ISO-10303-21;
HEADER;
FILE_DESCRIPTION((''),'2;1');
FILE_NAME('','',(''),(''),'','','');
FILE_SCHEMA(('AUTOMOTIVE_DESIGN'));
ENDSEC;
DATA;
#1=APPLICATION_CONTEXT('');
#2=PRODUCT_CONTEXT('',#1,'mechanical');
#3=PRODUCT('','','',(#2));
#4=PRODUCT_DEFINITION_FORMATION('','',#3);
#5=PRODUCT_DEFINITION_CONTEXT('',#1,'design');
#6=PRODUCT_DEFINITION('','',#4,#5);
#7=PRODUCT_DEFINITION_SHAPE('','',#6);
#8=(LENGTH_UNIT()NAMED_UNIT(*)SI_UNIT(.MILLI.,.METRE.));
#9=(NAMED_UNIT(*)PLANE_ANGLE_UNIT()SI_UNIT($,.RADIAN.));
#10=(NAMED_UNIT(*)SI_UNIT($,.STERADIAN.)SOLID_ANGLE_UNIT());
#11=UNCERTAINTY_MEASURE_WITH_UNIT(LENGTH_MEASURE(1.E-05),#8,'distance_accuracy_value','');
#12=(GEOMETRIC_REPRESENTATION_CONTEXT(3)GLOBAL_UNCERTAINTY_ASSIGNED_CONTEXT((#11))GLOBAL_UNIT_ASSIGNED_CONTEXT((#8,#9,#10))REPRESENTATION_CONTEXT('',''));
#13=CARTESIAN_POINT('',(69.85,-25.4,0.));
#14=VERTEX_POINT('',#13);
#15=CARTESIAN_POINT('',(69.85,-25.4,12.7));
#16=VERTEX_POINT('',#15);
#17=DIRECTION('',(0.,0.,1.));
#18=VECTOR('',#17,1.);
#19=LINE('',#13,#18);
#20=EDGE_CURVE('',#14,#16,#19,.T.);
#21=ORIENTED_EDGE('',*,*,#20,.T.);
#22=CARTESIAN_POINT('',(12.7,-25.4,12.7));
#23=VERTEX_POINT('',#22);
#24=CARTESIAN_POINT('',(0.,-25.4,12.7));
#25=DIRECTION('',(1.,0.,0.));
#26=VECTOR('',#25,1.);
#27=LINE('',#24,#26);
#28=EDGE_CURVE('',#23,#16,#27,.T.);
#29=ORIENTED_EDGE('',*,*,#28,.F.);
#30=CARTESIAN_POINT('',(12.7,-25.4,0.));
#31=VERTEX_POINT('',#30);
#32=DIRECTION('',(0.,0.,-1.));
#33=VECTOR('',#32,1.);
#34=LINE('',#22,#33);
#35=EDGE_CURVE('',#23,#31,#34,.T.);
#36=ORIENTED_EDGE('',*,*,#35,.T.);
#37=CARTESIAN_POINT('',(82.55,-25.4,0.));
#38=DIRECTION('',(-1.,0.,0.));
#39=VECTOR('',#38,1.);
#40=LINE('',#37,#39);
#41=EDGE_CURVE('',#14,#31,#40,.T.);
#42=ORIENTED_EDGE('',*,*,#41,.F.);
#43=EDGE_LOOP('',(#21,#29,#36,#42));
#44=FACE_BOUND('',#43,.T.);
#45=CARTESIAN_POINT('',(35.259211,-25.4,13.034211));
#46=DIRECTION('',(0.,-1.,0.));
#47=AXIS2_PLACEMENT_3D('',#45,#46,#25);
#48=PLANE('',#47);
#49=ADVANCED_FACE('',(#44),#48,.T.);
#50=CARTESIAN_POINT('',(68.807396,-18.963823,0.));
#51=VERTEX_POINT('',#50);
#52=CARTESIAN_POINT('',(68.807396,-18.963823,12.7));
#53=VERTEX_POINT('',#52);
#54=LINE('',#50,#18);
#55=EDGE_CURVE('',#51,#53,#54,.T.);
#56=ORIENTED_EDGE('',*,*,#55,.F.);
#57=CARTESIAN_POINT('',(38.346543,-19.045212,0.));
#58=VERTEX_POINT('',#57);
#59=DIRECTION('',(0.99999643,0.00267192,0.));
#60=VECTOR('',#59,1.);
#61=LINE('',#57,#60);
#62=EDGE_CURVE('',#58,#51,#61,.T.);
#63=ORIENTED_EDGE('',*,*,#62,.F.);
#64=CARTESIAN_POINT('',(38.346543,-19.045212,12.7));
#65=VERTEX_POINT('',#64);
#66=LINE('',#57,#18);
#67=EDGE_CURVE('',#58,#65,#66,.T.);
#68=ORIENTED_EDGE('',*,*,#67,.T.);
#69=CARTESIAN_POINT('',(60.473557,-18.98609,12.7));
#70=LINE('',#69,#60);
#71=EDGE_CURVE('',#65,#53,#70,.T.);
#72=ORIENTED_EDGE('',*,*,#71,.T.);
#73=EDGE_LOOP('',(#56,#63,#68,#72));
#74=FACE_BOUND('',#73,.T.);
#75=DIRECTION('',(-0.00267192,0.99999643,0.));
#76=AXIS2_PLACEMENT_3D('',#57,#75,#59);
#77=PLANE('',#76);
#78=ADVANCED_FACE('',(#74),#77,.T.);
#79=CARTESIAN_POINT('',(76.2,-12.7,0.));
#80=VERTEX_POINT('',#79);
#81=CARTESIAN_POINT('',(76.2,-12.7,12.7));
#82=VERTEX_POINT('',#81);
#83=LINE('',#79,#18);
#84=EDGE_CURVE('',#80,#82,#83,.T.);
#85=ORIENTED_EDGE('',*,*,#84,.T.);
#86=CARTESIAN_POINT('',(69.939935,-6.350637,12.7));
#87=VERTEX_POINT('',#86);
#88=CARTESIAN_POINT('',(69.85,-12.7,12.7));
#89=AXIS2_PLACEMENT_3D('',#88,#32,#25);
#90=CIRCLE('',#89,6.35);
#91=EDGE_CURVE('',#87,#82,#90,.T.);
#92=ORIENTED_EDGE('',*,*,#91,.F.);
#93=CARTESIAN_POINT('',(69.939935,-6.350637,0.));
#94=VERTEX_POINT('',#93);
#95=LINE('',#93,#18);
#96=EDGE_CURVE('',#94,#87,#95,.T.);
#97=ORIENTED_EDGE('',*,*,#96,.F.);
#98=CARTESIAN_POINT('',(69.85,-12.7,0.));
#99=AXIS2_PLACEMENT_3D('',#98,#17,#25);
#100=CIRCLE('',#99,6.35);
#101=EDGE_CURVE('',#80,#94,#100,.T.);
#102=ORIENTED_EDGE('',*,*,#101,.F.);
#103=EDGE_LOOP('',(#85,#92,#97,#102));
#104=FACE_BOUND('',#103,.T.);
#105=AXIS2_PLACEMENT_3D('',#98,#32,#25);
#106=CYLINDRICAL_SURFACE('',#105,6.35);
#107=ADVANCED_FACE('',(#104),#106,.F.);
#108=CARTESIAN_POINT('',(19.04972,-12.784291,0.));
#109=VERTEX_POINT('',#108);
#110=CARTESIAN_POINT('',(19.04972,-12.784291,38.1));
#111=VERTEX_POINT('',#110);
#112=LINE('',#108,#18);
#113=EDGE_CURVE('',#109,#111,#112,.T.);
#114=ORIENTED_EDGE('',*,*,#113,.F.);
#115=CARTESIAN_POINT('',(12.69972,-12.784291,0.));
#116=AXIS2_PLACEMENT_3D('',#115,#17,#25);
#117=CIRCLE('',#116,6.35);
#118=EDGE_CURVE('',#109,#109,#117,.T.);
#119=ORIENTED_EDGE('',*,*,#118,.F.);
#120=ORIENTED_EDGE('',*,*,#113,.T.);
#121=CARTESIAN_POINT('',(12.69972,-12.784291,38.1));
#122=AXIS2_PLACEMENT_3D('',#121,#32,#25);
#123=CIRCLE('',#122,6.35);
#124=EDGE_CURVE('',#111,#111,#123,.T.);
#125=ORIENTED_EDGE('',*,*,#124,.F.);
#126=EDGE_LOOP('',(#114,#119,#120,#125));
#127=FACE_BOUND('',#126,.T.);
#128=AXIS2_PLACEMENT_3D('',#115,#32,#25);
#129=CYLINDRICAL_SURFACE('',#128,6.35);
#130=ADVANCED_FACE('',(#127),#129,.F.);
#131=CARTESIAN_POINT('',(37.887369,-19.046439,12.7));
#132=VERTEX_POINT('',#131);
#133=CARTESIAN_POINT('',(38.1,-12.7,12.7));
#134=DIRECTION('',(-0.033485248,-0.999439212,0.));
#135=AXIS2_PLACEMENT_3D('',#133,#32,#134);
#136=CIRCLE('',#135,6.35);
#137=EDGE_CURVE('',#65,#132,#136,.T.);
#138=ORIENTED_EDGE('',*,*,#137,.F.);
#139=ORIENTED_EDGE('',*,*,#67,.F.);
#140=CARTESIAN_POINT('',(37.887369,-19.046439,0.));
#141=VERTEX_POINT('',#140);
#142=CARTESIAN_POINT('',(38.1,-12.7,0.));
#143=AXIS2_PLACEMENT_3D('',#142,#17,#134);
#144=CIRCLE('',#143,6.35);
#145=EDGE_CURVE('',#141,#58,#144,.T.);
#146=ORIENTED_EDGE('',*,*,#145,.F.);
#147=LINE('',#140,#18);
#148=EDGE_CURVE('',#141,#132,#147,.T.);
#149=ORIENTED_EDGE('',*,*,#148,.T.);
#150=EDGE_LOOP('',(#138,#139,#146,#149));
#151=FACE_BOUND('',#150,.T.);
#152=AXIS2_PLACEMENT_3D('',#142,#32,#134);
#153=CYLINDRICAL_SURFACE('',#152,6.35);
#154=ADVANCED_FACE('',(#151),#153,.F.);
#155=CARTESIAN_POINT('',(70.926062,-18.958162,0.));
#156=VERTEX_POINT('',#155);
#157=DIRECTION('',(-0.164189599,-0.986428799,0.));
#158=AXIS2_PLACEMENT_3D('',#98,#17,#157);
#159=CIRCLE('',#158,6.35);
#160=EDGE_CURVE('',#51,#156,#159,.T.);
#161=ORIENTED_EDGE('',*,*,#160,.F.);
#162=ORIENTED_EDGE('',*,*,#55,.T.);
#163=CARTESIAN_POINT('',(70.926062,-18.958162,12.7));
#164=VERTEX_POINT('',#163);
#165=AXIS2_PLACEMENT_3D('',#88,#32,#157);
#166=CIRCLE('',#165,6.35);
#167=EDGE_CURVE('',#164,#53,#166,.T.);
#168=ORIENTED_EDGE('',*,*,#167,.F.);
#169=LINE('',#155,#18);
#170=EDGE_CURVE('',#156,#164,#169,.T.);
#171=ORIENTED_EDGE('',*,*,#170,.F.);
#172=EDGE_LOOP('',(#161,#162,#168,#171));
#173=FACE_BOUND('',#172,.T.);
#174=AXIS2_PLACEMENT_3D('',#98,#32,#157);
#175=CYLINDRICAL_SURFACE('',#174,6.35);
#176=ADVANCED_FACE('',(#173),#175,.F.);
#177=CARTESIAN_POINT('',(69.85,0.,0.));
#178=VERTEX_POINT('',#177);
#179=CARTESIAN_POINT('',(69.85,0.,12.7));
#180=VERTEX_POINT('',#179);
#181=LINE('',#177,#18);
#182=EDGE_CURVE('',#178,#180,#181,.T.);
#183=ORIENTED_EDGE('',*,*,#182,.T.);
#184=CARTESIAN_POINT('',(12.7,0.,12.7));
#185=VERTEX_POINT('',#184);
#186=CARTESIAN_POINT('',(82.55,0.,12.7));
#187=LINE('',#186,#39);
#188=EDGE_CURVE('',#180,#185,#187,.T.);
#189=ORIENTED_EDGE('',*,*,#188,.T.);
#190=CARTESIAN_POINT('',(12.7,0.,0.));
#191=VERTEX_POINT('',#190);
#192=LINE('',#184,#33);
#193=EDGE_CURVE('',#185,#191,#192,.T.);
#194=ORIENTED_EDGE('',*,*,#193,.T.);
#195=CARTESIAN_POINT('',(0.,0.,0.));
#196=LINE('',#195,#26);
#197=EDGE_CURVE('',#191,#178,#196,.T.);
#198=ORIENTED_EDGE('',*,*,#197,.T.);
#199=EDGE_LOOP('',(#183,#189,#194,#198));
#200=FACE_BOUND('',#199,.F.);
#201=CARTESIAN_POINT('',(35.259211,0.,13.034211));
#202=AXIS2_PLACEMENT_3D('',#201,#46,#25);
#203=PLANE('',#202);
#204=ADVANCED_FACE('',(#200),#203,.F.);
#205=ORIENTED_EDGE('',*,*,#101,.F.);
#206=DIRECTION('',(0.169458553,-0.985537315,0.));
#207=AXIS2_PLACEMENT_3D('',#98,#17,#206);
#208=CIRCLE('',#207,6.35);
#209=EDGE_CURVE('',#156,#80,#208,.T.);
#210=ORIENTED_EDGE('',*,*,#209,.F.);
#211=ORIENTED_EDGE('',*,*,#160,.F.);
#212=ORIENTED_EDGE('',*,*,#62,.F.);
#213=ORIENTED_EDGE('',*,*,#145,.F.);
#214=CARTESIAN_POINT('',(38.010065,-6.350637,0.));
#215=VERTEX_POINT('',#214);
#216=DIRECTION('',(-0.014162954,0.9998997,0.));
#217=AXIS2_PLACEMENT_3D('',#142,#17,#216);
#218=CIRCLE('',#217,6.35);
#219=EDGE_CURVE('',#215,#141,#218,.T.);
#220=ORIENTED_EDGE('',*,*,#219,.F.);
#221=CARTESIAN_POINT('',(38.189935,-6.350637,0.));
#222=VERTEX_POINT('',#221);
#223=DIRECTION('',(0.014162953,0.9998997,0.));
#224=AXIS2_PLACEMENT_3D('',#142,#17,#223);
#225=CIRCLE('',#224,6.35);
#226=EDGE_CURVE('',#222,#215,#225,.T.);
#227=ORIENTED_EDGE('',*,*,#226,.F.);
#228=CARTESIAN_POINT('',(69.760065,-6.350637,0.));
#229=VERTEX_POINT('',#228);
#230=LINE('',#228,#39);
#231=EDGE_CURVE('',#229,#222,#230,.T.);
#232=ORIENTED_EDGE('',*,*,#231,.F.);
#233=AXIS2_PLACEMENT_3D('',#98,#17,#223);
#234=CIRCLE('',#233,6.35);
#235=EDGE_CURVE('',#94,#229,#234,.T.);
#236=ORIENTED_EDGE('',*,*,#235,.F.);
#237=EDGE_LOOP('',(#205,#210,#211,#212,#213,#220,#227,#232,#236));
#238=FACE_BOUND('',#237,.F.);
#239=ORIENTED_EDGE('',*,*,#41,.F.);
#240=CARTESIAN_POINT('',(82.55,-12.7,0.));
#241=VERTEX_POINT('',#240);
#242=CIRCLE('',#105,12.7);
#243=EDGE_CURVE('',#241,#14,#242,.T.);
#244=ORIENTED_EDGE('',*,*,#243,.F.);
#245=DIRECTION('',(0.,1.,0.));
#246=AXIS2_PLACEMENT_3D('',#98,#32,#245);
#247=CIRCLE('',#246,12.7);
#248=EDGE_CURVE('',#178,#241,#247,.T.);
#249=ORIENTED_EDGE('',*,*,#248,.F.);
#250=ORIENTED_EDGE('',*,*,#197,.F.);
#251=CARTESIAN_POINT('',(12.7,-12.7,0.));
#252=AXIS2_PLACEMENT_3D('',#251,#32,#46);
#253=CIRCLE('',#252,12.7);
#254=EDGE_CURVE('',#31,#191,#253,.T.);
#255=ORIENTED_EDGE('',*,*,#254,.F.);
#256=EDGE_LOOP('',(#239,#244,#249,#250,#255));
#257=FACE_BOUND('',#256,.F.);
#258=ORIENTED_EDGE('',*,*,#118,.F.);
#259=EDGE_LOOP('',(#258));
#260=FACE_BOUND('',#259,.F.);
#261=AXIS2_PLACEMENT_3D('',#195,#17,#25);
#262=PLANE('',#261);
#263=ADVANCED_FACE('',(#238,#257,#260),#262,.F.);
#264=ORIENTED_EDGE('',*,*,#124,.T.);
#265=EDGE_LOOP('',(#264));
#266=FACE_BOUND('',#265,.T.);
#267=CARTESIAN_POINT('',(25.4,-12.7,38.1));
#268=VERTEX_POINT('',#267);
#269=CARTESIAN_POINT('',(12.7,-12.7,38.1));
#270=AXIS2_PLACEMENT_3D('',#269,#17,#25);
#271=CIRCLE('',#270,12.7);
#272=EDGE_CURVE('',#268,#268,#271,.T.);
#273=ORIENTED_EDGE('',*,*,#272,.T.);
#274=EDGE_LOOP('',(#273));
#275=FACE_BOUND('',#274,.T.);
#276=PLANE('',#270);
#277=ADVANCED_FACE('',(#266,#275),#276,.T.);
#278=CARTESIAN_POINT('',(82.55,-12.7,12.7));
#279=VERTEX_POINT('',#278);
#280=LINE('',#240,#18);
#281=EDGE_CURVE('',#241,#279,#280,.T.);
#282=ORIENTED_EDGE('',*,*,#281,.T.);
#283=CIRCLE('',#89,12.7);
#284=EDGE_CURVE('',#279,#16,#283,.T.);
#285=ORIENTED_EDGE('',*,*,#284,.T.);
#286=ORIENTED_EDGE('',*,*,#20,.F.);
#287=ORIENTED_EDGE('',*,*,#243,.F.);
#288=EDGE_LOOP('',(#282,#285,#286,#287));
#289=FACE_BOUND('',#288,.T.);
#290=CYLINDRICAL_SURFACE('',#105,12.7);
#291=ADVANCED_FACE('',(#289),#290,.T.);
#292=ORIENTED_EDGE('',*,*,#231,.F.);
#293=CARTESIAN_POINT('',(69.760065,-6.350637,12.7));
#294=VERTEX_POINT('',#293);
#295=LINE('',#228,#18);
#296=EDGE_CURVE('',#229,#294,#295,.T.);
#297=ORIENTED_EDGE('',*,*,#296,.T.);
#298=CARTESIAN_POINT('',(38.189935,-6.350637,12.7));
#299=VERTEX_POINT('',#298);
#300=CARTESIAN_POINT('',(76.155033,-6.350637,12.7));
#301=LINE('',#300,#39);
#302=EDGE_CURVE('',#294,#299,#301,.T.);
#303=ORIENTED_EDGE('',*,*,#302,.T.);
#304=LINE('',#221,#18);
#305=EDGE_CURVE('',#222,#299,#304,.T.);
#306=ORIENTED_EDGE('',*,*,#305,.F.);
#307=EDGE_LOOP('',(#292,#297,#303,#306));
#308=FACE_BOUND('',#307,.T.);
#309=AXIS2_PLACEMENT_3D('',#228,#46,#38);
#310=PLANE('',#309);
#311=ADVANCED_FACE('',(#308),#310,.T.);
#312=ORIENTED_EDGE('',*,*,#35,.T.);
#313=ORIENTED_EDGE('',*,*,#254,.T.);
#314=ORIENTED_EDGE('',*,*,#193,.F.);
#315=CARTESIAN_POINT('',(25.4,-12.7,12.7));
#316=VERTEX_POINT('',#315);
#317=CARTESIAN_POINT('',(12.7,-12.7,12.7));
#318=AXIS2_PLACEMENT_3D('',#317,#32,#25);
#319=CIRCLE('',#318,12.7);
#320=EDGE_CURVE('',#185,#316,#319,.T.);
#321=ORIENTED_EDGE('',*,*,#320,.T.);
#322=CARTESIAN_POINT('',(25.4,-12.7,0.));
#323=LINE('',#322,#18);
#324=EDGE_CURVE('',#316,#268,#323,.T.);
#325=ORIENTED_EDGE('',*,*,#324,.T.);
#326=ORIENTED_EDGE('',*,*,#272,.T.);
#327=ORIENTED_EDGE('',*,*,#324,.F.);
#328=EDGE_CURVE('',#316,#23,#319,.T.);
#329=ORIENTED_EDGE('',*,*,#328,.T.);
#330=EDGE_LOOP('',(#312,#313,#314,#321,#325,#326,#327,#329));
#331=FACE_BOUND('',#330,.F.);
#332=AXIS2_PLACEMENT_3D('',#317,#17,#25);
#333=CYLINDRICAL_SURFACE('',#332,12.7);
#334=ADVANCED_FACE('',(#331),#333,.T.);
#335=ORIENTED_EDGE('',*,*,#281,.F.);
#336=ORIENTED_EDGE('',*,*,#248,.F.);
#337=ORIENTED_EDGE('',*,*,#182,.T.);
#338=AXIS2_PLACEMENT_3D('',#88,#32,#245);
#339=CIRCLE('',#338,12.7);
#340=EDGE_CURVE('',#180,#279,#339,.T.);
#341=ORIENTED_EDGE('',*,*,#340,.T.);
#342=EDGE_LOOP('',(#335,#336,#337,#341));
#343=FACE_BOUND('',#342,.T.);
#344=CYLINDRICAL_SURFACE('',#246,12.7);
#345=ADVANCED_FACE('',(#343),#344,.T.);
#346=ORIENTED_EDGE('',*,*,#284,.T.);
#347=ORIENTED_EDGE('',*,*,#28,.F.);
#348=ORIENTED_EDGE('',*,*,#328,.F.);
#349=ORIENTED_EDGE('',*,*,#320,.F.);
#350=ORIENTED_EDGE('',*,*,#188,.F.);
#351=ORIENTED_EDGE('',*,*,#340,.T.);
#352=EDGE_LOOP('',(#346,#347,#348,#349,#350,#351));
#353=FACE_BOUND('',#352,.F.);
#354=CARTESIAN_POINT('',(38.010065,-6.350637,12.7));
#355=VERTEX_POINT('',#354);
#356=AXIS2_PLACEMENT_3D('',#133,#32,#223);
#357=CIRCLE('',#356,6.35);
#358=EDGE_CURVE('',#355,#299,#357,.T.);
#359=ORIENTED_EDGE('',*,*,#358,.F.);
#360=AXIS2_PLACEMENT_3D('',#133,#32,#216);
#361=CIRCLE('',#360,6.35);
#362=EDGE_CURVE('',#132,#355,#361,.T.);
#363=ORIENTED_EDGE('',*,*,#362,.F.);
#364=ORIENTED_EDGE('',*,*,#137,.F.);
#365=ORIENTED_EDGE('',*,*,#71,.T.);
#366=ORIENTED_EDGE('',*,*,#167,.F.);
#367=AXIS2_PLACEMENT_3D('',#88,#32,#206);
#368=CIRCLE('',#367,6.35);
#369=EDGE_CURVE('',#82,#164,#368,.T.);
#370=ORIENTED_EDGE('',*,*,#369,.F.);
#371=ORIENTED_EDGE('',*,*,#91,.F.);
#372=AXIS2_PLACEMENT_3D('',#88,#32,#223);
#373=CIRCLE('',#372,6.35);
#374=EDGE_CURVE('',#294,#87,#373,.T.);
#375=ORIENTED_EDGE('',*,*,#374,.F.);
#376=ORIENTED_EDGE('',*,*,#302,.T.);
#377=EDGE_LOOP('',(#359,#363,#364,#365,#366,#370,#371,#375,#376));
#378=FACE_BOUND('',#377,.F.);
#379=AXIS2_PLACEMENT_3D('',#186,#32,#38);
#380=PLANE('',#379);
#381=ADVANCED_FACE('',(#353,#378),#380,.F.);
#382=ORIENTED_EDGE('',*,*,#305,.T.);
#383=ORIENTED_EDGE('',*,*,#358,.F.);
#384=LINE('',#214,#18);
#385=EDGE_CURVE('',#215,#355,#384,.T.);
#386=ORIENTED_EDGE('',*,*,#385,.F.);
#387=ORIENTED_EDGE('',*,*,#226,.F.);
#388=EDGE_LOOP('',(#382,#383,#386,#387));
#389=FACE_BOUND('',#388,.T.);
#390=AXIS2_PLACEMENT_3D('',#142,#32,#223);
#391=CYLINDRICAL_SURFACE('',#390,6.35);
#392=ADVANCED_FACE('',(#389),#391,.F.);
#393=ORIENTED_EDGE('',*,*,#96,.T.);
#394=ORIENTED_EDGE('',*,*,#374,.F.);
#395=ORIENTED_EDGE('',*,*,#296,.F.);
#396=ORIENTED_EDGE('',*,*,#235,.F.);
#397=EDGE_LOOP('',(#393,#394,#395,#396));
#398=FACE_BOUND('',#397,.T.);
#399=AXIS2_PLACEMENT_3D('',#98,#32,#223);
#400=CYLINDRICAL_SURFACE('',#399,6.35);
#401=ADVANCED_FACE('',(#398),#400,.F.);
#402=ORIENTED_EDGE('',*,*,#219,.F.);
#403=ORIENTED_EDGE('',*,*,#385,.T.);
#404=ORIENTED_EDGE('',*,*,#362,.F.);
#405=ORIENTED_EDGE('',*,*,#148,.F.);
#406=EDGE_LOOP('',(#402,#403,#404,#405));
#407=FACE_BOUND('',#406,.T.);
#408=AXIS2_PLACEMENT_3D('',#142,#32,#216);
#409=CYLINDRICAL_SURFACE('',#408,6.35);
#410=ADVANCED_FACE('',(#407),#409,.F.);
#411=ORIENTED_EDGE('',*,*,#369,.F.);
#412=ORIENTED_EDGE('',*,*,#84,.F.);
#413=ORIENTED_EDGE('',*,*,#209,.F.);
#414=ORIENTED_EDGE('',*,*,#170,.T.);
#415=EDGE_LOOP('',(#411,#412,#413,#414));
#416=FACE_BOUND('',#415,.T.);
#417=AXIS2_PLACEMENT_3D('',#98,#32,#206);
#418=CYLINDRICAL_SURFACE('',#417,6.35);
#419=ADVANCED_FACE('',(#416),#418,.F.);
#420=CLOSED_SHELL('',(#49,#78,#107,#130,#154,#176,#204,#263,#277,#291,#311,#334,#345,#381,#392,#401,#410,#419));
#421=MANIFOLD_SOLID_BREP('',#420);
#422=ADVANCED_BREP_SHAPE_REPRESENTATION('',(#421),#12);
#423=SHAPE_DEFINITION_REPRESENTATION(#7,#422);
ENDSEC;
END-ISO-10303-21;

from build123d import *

# Parameters (mm, degrees)
F1_DEPTH  = 25.4
F3_W      = 25.4
F3_H      = 25.4
F4_DEPTH  = 25.401
F5_R      = 12.7
F6_DEPTH  = 38.1
F8_DEPTH  = 12.701
F10_DEPTH = 38.101
F11_R     = 6.35
F12_DEPTH = 38.101
F14_DEPTH = 38.101


with BuildPart() as f1:
    # F0 (on Front) → F1 (new body)
    with BuildSketch(Plane.XZ):
        Polygon((25.4, 38.1), (0, 38.1), (0, 0), (82.55, 0), (82.55, 12.7), (25.4, 12.7), align=None)
    extrude(amount=F1_DEPTH)

    # F3 (on Front) → F4 (cut, through all)
    with BuildSketch(Plane.XZ):
        with Locations((12.7, 25.4)):
            Rectangle(F3_W, F3_H)
    extrude(amount=F4_DEPTH, mode=Mode.SUBTRACT)

    # F5 (on Top) → F6 (join)
    with BuildSketch(Plane.XY):
        with Locations((12.7, -12.7)):
            Circle(F5_R)
    extrude(amount=F6_DEPTH)

    # F8 (cut, through all): faces of the model
    f8_faces = [f1.faces().sort_by_distance(p)[0] for p in [
        (2.8367728246, -2.8367728246, 12.7),
        (2.8367728246, -22.5632271754, 12.7),
    ]]
    extrude(f8_faces, amount=-F8_DEPTH, mode=Mode.SUBTRACT)

    # F9 (on Top) → F10 (cut, through all)
    with BuildSketch(Plane.XY):
        with BuildLine():
            ThreePointArc((70.9260618119, -18.9581619488), (74.7056921497, -16.792035404), (76.2, -12.7))
            ThreePointArc((76.2, -12.7), (74.3718130047, -8.2417820656), (69.9399347557, -6.3506369028))
            Line((69.9399347557, -6.3506369028), (69.7600652443, -6.3506369028))
            ThreePointArc((69.7600652443, -6.3506369028), (63.5180353707, -12.2217490892), (68.8073960441, -18.9638228735))
            Line((68.8073960441, -18.9638228735), (70.9260618119, -18.9581619488))
        make_face()
        with BuildLine():
            Line((69.7600652443, -6.3506369028), (69.9399347557, -6.3506369028))
            ThreePointArc((69.9399347557, -6.3506369028), (69.85, -6.35), (69.7600652443, -6.3506369028))
        make_face()
        with BuildLine():
            ThreePointArc((68.8073960441, -18.9638228735), (69.8669666894, -19.0499773331), (70.9260618119, -18.9581619488))
            Line((70.9260618119, -18.9581619488), (68.8073960441, -18.9638228735))
        make_face()
        with BuildLine():
            ThreePointArc((68.8073960441, -18.9638228735), (63.5180353707, -12.2217490892), (69.7600652443, -6.3506369028))
            Line((69.7600652443, -6.3506369028), (38.1899347557, -6.3506369028))
            ThreePointArc((38.1899347557, -6.3506369028), (42.6218130047, -8.2417820656), (44.45, -12.7))
            ThreePointArc((44.45, -12.7), (42.6764639727, -17.1020992158), (38.3465425178, -19.0452121152))
            Line((38.3465425178, -19.0452121152), (68.8073960441, -18.9638228735))
        make_face()
        with BuildLine():
            Line((38.0100652443, -6.3506369028), (38.1899347557, -6.3506369028))
            ThreePointArc((38.1899347557, -6.3506369028), (38.1, -6.35), (38.0100652443, -6.3506369028))
        make_face()
        with BuildLine():
            ThreePointArc((44.45, -12.7), (42.6218130047, -8.2417820656), (38.1899347557, -6.3506369028))
            Line((38.1899347557, -6.3506369028), (38.0100652443, -6.3506369028))
            ThreePointArc((38.0100652443, -6.3506369028), (31.7502965226, -12.6386342958), (37.8873686745, -19.0464389952))
            Line((37.8873686745, -19.0464389952), (38.3465425178, -19.0452121152))
            ThreePointArc((38.3465425178, -19.0452121152), (42.6764639727, -17.1020992158), (44.45, -12.7))
        make_face()
        with BuildLine():
            ThreePointArc((37.8873686745, -19.0464389952), (38.1169666894, -19.0499773331), (38.3465425178, -19.0452121152))
            Line((38.3465425178, -19.0452121152), (37.8873686745, -19.0464389952))
        make_face()
    extrude(amount=F10_DEPTH, mode=Mode.SUBTRACT)

    # F11 (on Top) → F12 (cut, through all)
    with BuildSketch(Plane.XY):
        with Locations((12.6997202718, -12.7842912701)):
            Circle(F11_R)
    extrude(amount=F12_DEPTH, mode=Mode.SUBTRACT)

    # F13 (on Top) → F14 (cut, through all)
    with BuildSketch(Plane.XY):
        with BuildLine():
            ThreePointArc((69.85, 0), (78.8302561211, -3.7197438789), (82.55, -12.7))
            Line((82.55, -12.7), (82.55, 0))
            Line((82.55, 0), (69.85, 0))
        make_face()
        with BuildLine():
            ThreePointArc((82.55, -12.7), (78.8302561211, -21.6802561211), (69.85, -25.4))
            Line((69.85, -25.4), (82.55, -25.4))
            Line((82.55, -25.4), (82.55, -12.7))
        make_face()
    extrude(amount=F14_DEPTH, mode=Mode.SUBTRACT)


solid = f1.part
